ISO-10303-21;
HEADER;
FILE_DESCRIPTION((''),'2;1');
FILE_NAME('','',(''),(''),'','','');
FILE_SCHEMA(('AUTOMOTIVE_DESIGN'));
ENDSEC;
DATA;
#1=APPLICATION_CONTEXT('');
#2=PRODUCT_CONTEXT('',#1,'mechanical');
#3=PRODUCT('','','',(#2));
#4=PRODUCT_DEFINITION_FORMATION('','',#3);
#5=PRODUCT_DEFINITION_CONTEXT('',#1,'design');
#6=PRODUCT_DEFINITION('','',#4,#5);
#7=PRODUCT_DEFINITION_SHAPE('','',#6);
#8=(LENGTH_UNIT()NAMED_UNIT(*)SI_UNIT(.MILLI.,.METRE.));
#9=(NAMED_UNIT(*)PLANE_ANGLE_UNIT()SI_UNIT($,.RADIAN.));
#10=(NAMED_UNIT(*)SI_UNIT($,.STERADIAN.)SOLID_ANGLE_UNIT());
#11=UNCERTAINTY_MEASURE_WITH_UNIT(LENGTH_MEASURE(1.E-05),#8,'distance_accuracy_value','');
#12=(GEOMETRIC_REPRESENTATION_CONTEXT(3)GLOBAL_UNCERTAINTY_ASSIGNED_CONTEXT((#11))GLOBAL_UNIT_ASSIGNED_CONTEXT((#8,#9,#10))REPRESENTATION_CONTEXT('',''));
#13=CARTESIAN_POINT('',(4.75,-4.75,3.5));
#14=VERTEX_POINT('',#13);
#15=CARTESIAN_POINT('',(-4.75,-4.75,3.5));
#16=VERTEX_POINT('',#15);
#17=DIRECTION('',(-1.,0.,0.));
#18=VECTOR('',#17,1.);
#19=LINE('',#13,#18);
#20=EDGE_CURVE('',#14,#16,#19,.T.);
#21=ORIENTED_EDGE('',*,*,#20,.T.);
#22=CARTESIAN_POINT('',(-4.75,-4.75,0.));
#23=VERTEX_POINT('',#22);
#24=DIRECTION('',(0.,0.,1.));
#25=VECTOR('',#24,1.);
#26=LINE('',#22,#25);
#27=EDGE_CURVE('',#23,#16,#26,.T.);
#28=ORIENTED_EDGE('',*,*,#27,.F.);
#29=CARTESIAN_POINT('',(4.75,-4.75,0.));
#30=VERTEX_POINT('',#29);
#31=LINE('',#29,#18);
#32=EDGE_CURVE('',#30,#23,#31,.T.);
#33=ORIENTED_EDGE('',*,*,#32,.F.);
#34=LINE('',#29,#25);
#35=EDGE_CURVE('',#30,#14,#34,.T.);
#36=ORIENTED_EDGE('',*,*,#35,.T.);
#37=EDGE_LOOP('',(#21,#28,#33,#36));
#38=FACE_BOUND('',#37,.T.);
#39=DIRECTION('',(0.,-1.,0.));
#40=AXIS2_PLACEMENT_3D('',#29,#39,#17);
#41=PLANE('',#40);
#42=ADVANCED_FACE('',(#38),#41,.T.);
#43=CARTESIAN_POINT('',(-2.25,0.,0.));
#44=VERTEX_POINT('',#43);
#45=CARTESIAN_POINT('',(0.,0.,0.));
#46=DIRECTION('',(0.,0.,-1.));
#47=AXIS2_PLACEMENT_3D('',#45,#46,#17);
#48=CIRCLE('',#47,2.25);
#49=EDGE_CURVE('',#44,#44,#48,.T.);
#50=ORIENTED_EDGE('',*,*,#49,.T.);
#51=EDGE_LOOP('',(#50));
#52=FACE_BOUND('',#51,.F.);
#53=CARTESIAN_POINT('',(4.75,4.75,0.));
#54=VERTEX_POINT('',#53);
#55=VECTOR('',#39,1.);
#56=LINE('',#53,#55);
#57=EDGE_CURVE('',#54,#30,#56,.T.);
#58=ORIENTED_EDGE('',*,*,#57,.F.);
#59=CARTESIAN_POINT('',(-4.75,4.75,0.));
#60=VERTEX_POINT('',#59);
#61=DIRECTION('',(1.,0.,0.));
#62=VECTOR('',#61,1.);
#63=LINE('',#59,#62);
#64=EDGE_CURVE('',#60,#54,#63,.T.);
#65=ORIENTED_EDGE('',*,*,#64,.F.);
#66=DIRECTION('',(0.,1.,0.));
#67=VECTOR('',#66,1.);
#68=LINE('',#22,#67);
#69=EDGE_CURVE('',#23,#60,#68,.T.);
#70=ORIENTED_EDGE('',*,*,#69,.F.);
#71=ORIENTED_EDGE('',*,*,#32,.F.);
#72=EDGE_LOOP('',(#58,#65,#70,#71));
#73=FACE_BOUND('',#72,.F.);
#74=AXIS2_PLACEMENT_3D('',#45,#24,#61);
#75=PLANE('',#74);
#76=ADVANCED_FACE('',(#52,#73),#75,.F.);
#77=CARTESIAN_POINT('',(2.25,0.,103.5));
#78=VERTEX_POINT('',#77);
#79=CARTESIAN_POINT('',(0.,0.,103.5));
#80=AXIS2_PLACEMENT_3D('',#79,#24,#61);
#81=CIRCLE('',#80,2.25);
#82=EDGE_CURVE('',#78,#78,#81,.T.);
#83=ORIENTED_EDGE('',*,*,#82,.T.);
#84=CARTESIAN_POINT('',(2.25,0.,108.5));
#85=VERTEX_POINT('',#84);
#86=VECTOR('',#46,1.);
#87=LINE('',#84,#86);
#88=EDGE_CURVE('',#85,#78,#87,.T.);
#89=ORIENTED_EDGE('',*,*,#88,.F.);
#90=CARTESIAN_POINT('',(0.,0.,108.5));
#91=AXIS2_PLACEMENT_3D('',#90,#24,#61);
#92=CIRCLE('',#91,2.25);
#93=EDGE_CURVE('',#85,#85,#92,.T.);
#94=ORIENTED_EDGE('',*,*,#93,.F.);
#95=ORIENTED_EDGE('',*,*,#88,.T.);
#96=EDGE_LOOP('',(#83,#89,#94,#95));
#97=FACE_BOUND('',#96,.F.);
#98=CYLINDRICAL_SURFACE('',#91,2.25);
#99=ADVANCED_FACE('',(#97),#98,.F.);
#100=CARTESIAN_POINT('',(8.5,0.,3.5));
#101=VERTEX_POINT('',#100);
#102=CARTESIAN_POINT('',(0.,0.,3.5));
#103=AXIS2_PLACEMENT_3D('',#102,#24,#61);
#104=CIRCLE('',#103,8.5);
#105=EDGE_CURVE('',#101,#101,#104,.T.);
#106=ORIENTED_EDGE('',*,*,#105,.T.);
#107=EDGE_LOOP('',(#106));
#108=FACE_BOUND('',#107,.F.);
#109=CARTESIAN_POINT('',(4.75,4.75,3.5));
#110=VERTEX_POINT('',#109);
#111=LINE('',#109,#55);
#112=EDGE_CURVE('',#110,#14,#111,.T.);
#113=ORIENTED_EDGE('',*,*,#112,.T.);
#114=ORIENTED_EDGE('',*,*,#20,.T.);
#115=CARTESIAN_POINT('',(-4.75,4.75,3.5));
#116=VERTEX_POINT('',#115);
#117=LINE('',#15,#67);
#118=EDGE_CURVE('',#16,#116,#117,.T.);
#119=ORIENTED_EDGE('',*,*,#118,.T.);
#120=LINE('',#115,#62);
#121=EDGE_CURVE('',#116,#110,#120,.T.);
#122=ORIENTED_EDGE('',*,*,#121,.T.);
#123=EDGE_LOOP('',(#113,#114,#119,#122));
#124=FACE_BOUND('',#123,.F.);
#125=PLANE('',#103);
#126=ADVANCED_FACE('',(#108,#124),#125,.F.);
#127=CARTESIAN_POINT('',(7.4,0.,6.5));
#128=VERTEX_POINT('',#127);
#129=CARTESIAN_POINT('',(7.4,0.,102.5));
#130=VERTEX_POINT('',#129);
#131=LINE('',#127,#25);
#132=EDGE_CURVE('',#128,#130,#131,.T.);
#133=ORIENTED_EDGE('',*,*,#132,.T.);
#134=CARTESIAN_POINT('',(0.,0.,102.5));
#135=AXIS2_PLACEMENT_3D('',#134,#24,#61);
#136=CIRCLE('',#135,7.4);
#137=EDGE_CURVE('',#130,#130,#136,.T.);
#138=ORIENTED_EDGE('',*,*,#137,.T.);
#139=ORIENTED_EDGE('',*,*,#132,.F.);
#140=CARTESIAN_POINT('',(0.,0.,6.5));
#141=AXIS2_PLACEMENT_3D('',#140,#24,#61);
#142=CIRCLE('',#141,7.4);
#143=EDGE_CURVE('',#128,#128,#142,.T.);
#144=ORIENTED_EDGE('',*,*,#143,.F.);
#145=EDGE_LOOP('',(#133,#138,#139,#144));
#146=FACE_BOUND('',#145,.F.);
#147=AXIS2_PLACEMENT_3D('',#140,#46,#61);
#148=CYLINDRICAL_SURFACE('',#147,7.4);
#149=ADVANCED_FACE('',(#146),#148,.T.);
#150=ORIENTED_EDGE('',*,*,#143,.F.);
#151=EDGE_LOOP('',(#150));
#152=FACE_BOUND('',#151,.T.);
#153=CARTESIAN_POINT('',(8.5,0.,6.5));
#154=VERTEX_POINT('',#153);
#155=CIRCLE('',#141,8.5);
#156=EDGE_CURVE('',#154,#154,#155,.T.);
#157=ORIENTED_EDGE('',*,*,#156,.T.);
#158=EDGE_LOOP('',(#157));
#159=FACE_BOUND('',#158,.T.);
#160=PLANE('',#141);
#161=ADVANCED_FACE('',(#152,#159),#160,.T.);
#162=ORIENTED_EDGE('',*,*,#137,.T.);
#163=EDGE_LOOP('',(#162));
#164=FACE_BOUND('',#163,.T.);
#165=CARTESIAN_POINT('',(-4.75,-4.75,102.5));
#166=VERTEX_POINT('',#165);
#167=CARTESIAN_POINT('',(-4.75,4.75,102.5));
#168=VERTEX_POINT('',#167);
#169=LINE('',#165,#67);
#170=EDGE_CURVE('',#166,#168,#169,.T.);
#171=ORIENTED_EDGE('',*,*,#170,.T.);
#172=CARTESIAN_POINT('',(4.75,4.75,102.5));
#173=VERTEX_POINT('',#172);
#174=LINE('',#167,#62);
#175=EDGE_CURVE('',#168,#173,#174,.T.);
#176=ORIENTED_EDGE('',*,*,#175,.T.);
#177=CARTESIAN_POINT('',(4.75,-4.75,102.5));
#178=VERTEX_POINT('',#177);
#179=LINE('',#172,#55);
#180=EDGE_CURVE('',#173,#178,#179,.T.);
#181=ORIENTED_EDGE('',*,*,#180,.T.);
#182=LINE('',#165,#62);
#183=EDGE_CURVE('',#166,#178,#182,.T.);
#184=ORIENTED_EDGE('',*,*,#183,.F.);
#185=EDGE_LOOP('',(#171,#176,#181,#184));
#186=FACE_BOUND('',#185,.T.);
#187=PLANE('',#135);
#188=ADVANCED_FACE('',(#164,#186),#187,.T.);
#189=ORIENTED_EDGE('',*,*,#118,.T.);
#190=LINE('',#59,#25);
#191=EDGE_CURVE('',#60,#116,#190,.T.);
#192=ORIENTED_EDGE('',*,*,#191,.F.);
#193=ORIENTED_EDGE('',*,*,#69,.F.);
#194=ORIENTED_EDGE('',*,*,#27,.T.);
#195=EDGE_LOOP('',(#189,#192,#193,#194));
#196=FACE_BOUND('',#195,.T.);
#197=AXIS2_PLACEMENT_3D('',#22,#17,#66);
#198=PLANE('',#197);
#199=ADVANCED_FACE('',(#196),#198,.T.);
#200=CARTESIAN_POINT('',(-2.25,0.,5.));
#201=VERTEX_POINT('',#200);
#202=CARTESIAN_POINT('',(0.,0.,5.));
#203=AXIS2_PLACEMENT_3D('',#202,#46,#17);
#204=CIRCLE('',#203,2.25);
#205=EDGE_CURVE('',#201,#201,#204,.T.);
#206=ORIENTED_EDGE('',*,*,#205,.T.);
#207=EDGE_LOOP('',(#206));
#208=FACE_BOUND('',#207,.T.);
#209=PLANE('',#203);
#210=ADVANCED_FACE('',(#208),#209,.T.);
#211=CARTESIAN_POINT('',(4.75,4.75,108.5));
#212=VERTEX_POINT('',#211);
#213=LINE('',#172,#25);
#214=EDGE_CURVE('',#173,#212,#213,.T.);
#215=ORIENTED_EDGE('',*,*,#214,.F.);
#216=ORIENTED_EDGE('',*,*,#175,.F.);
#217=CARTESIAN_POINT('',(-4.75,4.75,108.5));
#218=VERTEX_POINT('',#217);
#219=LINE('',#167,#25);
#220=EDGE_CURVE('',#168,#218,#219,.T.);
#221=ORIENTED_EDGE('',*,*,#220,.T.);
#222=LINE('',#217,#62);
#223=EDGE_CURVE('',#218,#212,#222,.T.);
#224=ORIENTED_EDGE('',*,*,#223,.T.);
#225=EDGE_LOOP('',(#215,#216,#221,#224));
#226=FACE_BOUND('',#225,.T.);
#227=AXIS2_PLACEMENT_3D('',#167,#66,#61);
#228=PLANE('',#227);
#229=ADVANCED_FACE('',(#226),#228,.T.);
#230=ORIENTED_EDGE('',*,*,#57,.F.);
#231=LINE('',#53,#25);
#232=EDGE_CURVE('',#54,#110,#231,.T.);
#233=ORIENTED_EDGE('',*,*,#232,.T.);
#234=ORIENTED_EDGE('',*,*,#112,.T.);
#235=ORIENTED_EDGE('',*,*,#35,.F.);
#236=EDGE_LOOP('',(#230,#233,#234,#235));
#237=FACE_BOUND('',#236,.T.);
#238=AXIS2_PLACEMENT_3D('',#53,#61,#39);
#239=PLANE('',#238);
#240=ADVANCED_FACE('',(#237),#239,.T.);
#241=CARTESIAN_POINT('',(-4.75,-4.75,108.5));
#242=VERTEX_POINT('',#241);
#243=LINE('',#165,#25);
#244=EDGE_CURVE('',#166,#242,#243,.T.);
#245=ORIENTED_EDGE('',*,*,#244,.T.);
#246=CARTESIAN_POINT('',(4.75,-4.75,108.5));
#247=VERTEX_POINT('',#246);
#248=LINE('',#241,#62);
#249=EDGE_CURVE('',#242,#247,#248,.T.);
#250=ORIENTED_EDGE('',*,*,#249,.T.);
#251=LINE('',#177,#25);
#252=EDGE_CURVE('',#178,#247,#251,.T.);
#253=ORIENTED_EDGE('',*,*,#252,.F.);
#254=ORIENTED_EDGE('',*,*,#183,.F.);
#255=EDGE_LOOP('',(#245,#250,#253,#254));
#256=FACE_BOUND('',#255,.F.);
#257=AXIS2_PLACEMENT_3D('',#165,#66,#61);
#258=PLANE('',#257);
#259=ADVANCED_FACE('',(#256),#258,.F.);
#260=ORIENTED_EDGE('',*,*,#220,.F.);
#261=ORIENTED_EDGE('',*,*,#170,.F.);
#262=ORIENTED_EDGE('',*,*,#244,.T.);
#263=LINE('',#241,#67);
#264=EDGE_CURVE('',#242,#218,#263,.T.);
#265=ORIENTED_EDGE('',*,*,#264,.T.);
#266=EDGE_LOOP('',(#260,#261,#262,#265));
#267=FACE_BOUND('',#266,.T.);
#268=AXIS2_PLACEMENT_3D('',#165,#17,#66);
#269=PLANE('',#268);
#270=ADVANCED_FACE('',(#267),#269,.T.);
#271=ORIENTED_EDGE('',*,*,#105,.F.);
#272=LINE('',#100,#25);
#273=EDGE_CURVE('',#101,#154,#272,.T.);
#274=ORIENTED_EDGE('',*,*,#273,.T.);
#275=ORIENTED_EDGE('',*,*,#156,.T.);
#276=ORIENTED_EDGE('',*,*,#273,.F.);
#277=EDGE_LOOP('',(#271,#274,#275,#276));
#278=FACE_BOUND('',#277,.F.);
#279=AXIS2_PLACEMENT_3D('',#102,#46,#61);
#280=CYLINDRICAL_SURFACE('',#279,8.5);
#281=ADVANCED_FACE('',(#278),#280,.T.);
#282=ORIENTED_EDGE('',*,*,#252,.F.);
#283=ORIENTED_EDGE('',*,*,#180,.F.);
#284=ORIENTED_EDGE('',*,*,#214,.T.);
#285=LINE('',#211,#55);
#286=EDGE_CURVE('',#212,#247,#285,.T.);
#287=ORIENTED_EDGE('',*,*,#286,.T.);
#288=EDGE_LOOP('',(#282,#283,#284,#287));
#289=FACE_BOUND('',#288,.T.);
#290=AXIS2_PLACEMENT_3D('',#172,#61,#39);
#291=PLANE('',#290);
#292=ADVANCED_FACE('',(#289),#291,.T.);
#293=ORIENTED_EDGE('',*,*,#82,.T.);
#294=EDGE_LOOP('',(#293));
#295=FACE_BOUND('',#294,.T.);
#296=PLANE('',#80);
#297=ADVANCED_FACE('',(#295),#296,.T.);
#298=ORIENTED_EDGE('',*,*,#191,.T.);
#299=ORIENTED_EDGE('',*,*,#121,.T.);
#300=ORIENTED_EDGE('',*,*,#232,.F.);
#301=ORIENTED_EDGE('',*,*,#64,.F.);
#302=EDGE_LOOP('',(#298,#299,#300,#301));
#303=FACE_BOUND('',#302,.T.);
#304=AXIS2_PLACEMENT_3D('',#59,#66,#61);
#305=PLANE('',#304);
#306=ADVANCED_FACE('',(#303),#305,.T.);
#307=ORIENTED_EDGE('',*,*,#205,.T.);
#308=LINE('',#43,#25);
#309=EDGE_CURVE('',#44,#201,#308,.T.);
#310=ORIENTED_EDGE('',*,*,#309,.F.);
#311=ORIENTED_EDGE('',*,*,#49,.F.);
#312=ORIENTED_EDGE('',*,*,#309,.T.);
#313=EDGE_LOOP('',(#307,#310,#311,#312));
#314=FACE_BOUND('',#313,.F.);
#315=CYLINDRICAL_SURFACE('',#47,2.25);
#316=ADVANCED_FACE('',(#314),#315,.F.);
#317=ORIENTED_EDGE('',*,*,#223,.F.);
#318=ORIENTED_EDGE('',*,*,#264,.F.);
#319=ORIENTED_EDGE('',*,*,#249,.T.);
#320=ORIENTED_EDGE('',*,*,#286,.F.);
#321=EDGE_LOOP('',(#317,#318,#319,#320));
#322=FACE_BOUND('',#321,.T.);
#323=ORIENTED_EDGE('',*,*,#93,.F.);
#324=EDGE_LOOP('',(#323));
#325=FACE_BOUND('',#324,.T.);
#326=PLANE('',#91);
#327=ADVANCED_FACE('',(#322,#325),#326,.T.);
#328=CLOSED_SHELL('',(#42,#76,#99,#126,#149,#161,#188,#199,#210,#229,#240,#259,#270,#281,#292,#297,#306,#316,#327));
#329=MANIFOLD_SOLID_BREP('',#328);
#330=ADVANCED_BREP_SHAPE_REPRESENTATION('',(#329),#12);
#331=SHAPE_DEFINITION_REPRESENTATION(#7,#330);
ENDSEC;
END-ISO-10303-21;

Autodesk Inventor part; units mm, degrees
ref_plane "YZ Plane" through (0, 0, 0) normal (1, 0, 0) x (0, 1, 0)
ref_plane "XZ Plane" through (0, 0, 0) normal (0, 1, 0) x (-1, 0, 0)
ref_plane "XY Plane" through (0, 0, 0) normal (0, 0, 1) x (1, 0, 0)
sketch "Skizze1" plane through (0, 0, 0) normal (0, 0, 1) x (1, 0, 0)
  line L0 (-4.75, 4.75) -> (4.75, 4.75)
  line L1 (4.75, 4.75) -> (4.75, -4.75)
  line L2 (4.75, -4.75) -> (-4.75, -4.75)
  line L3 (-4.75, -4.75) -> (-4.75, 4.75)
  line L4 (-4.75, 4.75) -> (4.75, -4.75) construction
  line L5 (4.75, 4.75) -> (-4.75, -4.75) construction
  point P0 (0, 0)
  dimension "d0" = 9.5
  dimension "d1" = 9.5
extrude "Extrusion1" add sketch "Skizze1" along normal blind 3.5
sketch "Skizze2" plane through (0, 0, 3.5) normal (0, 0, 1) x (1, 0, 0)
  circle A0 centre (0, 0) radius 8.5
  dimension "d4" = 17
extrude "Extrusion2" add sketch "Skizze2" along normal blind 3
sketch "Skizze3" plane through (0, 0, 6.5) normal (0, 0, 1) x (1, 0, 0)
  circle A0 centre (0, 0) radius 7.4
  circle A1 centre (0, 0) radius 8.5 projected
  dimension "d7" = 14.8
  dimension "d19" = 1.1
extrude "Extrusion3" add sketch "Skizze3" along normal blind 96 contours A0
sketch "Skizze4" plane through (0, 0, 102.5) normal (0, 0, 1) x (1, 0, 0)
  line L0 (-4.75, -4.75) -> (4.75, -4.75) projected
  line L1 (-4.75, 4.75) -> (4.75, 4.75)
  line L2 (4.75, 4.75) -> (4.75, -4.75)
  line L3 (4.75, -4.75) -> (-4.75, -4.75)
  line L4 (-4.75, -4.75) -> (-4.75, 4.75)
  line L5 (-4.75, 4.75) -> (4.75, -4.75) construction
  line L6 (4.75, 4.75) -> (-4.75, -4.75) construction
  point P0 (0, 0)
  dimension "d10" = 9.5
extrude "Extrusion4" add sketch "Skizze4" along normal blind 6
sketch "Skizze5" plane through (0, 0, 108.5) normal (0, 0, 1) x (1, 0, 0)
  circle A0 centre (0, 0) radius 2.25
  dimension "d13" = 4.5
extrude "Extrusion5" cut sketch "Skizze5" against normal blind 5
sketch "Skizze6" plane through (0, 0, 0) normal (0, 0, -1) x (-1, 0, 0)
  circle A0 centre (0, 0) radius 2.25
  dimension "d16" = 4.5
extrude "Extrusion6" cut sketch "Skizze6" against normal blind 5
properties part number "_3D-Druck"
